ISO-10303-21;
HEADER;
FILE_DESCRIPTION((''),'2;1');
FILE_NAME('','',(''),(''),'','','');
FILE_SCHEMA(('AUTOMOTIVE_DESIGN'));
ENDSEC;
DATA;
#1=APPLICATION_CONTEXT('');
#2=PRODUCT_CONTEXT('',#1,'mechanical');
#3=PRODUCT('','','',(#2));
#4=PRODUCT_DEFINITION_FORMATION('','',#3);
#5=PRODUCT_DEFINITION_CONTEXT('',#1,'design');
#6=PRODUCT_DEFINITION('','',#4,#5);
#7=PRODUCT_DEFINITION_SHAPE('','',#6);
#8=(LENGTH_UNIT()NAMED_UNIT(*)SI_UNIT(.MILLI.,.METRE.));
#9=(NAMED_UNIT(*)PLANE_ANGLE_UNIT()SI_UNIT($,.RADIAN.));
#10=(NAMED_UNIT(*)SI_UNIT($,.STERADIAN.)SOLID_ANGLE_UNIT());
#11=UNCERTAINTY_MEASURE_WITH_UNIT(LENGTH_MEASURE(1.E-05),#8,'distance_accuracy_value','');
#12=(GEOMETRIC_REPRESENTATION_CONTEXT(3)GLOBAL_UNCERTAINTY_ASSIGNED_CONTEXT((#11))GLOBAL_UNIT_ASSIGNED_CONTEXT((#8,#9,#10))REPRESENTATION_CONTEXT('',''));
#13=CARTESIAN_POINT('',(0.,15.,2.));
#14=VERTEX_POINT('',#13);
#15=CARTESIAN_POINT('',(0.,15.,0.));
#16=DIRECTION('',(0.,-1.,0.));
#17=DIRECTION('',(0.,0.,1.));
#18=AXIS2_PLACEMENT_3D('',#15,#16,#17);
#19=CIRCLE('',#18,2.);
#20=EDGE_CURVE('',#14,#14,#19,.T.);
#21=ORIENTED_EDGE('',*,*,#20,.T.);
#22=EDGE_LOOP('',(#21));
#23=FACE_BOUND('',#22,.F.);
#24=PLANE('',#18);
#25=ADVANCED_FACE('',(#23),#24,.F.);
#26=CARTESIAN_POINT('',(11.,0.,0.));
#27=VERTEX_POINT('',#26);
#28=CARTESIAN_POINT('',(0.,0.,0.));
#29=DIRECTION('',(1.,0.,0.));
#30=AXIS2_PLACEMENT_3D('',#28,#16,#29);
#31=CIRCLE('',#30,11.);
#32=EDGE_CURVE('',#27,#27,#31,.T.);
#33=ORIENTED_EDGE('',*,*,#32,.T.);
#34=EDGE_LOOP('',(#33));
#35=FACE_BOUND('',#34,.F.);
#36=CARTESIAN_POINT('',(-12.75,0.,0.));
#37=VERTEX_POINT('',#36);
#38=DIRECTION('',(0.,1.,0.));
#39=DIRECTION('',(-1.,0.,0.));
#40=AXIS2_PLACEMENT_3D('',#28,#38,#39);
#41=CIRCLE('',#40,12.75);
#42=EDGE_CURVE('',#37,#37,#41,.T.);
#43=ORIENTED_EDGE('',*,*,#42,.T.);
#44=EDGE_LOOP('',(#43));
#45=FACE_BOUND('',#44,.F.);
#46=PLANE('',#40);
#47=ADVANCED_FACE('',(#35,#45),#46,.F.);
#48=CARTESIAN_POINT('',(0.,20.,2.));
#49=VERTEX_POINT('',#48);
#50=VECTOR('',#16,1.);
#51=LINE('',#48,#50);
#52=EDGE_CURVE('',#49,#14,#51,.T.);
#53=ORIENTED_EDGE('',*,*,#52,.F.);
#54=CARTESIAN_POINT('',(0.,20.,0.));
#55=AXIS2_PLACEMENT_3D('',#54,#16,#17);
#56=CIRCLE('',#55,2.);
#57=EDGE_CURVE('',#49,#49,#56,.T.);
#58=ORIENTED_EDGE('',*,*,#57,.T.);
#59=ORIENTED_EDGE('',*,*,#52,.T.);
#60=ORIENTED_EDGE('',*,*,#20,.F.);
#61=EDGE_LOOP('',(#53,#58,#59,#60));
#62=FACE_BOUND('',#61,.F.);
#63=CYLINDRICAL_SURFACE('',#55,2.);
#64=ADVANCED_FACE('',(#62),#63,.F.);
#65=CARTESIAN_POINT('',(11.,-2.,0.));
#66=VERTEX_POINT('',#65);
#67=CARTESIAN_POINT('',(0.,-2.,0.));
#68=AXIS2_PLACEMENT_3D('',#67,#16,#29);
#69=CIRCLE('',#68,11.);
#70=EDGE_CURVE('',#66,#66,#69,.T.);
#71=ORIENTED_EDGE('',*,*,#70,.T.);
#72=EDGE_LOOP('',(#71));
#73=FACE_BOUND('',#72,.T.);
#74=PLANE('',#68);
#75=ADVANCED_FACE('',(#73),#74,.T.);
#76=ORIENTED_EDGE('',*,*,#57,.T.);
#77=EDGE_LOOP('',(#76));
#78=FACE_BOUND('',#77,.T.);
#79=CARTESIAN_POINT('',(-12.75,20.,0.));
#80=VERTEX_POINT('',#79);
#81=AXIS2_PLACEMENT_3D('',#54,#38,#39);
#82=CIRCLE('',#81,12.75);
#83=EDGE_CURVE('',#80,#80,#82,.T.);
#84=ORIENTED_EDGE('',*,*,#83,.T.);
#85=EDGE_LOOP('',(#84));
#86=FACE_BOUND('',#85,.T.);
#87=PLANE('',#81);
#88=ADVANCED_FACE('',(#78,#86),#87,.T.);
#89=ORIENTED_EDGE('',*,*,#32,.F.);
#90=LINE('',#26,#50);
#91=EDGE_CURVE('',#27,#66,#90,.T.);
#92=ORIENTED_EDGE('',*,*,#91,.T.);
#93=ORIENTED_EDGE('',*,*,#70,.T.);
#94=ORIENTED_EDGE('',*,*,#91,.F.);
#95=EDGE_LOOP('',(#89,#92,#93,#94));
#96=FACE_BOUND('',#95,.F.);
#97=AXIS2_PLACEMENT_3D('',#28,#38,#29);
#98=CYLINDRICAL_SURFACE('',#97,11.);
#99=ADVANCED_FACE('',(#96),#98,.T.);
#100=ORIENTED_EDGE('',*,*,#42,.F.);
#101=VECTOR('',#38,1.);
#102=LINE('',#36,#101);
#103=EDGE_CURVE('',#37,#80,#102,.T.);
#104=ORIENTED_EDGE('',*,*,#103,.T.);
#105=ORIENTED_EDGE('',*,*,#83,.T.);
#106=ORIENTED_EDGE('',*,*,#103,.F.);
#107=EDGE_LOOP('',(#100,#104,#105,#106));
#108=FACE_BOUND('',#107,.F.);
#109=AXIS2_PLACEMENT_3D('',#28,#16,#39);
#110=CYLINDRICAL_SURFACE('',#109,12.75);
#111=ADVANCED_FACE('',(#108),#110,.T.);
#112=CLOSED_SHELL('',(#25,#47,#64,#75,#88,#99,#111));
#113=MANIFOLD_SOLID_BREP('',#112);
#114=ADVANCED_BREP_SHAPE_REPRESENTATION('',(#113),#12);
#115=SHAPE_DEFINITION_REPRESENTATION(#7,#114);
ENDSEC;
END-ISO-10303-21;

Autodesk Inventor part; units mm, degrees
ref_plane "YZ Plane" through (0, 0, 0) normal (1, 0, 0) x (0, 1, 0)
ref_plane "XZ Plane" through (0, 0, 0) normal (0, 1, 0) x (-1, 0, 0)
ref_plane "XY Plane" through (0, 0, 0) normal (0, 0, 1) x (1, 0, 0)
sketch "Sketch1" plane through (0, 0, 0) normal (0, 1, 0) x (-1, 0, 0)
  circle A0 centre (0, 0) radius 12.75
  dimension "d0" = 25.5
extrude "Extrusion1" add sketch "Sketch1" along normal blind 20
sketch "Sketch2" plane through (0, 0, 0) normal (0, -1, 0) x (1, 0, 0)
  circle A0 centre (0, 0) radius 11
  dimension "d3" = 22
extrude "Extrusion2" add sketch "Sketch2" along normal blind 2
sketch "Sketch3" plane through (0, 20, 0) normal (0, 1, 0) x (1, 0, 0)
  point P0 (0, 0)
  point P1 (0, 0)
hole "Hole1" at (0, 20, 0) direction (0, -1, 0) diameter 4 depth 5
thread "Thread1" size "M4x0.7" class "6H" standard "ANSI Metric M Profile" full length
properties part number "magnet"
